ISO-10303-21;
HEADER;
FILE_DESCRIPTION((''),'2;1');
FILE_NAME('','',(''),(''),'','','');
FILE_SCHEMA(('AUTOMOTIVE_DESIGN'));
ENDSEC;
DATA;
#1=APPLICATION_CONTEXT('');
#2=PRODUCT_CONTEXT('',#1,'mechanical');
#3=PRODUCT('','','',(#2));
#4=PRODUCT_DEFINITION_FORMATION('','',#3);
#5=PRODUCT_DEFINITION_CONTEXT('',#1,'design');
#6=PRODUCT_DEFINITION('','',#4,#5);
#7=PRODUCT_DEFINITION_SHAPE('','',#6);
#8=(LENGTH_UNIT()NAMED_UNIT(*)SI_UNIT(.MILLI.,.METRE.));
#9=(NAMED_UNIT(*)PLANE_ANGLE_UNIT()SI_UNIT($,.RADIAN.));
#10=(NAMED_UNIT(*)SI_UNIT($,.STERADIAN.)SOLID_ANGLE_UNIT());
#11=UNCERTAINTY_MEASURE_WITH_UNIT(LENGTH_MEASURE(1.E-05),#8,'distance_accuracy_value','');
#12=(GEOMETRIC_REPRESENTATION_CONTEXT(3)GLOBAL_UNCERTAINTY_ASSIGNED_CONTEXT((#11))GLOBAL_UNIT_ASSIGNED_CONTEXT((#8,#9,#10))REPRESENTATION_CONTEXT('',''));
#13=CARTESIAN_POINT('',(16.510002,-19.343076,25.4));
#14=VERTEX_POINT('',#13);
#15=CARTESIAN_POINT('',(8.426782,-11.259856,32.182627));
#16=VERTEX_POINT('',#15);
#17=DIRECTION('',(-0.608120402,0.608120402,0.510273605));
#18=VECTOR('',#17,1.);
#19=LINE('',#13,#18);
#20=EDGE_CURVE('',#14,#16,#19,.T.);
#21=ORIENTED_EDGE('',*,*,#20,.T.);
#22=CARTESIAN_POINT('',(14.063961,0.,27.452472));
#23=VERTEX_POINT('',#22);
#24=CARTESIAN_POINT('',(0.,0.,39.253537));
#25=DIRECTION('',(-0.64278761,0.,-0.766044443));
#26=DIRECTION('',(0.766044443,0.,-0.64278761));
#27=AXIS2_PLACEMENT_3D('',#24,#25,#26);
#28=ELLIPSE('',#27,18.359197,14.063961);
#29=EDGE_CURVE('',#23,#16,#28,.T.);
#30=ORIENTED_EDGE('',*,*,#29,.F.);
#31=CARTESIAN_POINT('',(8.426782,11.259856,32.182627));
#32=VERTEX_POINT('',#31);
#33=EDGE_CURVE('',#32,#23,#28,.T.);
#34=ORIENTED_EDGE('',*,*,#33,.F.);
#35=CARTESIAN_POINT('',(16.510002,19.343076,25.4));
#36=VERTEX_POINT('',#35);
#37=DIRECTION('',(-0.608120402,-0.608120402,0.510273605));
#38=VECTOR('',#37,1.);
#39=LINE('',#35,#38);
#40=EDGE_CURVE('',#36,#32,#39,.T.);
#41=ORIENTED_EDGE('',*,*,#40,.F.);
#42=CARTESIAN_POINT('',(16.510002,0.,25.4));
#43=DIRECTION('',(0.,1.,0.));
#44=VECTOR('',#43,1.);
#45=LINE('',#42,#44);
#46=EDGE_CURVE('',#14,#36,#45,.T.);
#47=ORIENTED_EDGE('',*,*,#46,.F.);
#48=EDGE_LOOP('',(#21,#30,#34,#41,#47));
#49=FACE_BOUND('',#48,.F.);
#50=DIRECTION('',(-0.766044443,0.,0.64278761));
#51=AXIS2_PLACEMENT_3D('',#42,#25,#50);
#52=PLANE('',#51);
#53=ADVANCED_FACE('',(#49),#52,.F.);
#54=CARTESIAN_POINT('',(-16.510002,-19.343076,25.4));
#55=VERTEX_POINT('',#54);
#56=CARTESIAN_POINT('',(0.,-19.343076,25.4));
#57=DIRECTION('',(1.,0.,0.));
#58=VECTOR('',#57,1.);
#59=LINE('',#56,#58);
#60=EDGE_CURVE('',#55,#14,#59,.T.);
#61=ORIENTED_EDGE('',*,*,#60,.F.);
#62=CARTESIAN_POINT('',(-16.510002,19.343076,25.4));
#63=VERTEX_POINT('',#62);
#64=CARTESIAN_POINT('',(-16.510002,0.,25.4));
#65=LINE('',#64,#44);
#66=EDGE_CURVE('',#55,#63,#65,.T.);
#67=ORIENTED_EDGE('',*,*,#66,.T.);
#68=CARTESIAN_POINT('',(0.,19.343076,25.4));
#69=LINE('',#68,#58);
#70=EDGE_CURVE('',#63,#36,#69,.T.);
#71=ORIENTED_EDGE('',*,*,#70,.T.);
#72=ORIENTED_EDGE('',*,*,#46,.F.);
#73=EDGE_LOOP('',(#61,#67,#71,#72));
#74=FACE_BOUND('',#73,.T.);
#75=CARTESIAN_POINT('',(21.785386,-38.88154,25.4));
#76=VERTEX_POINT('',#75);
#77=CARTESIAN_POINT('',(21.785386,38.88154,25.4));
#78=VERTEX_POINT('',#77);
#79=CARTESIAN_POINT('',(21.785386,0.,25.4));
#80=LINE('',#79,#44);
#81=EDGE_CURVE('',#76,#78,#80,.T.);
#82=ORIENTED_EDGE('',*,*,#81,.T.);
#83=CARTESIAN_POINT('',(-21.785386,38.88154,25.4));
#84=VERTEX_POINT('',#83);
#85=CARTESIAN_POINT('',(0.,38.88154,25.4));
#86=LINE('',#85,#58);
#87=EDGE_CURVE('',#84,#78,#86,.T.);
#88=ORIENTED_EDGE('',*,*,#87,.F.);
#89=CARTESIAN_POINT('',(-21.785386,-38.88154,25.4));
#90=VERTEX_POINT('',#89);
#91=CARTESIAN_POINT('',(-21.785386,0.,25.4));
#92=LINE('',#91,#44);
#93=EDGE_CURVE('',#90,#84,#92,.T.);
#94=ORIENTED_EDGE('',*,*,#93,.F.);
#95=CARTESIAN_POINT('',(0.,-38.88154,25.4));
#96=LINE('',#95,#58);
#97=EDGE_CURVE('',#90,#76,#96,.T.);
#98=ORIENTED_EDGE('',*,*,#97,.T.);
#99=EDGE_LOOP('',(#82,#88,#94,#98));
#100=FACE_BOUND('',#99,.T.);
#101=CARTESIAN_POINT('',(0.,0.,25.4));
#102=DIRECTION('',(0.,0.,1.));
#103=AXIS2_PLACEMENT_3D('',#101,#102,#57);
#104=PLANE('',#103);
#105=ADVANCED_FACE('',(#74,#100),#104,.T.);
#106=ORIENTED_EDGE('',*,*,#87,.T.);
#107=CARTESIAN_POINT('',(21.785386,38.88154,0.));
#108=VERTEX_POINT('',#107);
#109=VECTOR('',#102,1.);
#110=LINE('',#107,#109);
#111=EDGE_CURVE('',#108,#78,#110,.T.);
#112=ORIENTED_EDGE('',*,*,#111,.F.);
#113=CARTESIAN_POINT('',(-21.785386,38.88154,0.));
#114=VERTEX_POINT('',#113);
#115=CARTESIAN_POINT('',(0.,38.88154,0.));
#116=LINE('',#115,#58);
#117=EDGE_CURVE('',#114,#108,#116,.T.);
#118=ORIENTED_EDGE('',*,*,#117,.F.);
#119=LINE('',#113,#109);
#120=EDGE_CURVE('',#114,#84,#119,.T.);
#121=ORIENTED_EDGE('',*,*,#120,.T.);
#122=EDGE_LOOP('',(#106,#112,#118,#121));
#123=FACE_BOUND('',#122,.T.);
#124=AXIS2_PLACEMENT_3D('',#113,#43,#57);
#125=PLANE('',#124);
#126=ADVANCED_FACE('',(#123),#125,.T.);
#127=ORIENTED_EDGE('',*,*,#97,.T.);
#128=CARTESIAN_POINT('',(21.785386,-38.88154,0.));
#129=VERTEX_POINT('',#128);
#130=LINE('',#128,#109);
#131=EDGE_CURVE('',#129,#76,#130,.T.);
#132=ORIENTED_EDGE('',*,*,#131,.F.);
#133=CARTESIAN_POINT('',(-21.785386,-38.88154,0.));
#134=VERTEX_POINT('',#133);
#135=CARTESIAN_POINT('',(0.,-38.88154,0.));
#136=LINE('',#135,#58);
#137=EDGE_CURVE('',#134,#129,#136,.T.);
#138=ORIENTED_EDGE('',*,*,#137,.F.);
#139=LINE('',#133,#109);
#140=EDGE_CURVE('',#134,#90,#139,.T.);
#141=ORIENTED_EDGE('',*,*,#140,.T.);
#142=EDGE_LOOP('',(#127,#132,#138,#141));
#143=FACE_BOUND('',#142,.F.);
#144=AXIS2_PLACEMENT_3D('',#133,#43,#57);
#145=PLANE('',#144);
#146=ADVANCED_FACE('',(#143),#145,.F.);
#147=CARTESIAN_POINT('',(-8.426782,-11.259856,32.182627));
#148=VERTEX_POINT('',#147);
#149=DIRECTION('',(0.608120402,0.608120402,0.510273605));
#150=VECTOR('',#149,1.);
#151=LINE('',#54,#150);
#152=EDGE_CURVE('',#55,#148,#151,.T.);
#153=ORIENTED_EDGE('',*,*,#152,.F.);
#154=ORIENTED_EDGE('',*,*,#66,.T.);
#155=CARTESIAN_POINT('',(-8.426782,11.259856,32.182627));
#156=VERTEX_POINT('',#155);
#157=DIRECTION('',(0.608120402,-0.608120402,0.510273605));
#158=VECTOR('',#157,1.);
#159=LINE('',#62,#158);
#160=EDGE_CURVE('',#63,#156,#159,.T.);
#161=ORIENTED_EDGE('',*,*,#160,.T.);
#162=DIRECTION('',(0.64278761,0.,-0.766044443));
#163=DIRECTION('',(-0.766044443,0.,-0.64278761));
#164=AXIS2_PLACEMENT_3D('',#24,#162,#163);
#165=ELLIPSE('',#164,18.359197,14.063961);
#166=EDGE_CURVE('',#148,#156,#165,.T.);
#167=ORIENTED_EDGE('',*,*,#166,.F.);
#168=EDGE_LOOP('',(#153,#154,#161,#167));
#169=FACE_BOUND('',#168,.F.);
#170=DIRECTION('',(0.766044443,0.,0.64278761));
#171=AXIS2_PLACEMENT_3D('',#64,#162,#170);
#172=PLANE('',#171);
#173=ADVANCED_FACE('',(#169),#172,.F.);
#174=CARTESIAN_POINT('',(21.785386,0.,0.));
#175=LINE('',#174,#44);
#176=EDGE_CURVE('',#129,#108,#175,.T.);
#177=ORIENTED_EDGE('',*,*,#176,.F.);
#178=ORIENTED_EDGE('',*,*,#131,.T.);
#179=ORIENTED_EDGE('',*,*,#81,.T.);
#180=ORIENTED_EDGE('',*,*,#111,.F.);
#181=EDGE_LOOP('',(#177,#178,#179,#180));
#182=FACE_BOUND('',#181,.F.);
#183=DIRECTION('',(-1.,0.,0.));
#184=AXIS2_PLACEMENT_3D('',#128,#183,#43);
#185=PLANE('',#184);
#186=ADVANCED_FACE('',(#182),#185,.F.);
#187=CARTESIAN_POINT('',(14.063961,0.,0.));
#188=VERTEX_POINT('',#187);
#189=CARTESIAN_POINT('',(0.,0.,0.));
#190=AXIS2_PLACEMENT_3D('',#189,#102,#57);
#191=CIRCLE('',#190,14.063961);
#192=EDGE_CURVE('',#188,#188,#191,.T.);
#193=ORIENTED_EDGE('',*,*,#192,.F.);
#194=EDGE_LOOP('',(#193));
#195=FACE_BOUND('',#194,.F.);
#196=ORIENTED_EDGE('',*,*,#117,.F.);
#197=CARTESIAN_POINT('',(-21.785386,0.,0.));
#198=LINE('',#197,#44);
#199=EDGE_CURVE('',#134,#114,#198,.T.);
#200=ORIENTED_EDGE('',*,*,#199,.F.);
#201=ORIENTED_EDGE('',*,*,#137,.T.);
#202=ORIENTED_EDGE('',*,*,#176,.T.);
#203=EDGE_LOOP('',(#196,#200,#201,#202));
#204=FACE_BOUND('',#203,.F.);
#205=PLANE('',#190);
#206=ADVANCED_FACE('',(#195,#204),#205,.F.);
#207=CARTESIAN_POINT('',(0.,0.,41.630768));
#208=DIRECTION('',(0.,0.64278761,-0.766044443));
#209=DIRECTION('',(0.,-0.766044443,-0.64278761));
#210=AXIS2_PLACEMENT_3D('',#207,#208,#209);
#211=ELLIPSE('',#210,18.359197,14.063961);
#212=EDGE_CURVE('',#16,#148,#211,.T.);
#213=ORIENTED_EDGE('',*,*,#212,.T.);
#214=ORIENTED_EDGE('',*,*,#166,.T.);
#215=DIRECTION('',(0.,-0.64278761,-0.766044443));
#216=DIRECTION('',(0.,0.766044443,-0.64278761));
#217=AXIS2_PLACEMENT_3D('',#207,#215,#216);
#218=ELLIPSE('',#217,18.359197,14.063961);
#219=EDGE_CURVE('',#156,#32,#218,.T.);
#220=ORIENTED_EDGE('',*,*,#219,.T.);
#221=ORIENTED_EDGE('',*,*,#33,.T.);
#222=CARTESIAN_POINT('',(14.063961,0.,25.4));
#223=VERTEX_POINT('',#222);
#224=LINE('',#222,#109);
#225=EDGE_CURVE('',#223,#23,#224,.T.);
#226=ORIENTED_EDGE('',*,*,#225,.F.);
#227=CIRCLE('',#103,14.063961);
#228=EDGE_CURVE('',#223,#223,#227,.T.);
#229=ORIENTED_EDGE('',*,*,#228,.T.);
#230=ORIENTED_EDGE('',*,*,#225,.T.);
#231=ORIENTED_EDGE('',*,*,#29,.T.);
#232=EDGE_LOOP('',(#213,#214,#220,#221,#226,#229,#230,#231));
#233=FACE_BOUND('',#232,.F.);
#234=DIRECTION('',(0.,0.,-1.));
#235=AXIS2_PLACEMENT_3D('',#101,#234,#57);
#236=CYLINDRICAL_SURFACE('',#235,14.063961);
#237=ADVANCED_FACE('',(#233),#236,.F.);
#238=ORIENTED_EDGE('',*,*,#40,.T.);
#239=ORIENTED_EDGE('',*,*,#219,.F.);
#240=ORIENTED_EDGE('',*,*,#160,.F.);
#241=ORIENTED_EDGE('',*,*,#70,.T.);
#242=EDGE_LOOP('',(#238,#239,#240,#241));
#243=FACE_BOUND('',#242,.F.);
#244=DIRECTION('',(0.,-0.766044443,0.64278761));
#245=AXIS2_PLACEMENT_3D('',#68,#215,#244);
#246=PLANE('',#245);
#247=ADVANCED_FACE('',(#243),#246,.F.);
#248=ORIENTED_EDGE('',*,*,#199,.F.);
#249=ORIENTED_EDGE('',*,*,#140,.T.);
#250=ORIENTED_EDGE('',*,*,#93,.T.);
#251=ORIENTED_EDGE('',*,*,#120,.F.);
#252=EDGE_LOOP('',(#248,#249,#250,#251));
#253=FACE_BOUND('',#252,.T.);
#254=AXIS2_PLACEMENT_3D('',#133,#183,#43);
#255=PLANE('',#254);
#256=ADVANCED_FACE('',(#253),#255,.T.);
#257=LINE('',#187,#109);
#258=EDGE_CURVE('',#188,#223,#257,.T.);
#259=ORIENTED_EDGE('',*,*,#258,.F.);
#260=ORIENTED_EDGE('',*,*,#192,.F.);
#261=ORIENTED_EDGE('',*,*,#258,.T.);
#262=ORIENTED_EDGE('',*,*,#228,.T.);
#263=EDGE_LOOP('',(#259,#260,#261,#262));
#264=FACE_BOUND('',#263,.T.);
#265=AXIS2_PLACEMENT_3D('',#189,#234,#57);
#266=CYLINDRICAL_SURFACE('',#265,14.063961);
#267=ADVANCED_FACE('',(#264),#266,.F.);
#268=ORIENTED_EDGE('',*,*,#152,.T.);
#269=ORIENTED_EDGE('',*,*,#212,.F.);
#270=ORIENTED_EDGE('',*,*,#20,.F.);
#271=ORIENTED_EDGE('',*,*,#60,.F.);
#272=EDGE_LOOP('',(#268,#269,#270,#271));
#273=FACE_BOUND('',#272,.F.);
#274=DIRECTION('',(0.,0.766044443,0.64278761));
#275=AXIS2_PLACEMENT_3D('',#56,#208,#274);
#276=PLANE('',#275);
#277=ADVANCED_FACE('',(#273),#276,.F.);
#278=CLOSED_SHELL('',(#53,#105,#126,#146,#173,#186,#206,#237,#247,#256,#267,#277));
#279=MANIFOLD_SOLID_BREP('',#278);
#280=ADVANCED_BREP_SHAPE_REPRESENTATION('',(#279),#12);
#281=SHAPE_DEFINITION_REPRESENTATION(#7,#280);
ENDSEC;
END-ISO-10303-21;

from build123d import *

# Parameters (mm, degrees)
F0_W     = 43.5707718134
F0_H     = 77.7630805969
F0_R     = 14.0639610487
F1_DEPTH = 25.4
F2_W     = 33.0200046301
F2_H     = 38.6861525476
F3_DEPTH = 25.4
F3_TAPER = 50
F4_R     = 14.0639610487
F5_DEPTH = 25.4


with BuildPart() as f1:
    # F0 (on Top) → F1 (new body)
    with BuildSketch(Plane.XY):
        Rectangle(F0_W, F0_H)
        Circle(F0_R, mode=Mode.SUBTRACT)
    extrude(amount=F1_DEPTH)

    # F2 (on face) → F3 (join)
    with BuildSketch(Plane.XY.offset(25.4)):
        Rectangle(F2_W, F2_H)
    extrude(amount=F3_DEPTH, taper=F3_TAPER)

    # F4 (on face) → F5 (cut)
    with BuildSketch(Plane(origin=(0, 0, 25.4), x_dir=(1, 0, 0), z_dir=(0, 0, -1))):
        Circle(F4_R)
    extrude(amount=-F5_DEPTH, mode=Mode.SUBTRACT)


solid = f1.part
